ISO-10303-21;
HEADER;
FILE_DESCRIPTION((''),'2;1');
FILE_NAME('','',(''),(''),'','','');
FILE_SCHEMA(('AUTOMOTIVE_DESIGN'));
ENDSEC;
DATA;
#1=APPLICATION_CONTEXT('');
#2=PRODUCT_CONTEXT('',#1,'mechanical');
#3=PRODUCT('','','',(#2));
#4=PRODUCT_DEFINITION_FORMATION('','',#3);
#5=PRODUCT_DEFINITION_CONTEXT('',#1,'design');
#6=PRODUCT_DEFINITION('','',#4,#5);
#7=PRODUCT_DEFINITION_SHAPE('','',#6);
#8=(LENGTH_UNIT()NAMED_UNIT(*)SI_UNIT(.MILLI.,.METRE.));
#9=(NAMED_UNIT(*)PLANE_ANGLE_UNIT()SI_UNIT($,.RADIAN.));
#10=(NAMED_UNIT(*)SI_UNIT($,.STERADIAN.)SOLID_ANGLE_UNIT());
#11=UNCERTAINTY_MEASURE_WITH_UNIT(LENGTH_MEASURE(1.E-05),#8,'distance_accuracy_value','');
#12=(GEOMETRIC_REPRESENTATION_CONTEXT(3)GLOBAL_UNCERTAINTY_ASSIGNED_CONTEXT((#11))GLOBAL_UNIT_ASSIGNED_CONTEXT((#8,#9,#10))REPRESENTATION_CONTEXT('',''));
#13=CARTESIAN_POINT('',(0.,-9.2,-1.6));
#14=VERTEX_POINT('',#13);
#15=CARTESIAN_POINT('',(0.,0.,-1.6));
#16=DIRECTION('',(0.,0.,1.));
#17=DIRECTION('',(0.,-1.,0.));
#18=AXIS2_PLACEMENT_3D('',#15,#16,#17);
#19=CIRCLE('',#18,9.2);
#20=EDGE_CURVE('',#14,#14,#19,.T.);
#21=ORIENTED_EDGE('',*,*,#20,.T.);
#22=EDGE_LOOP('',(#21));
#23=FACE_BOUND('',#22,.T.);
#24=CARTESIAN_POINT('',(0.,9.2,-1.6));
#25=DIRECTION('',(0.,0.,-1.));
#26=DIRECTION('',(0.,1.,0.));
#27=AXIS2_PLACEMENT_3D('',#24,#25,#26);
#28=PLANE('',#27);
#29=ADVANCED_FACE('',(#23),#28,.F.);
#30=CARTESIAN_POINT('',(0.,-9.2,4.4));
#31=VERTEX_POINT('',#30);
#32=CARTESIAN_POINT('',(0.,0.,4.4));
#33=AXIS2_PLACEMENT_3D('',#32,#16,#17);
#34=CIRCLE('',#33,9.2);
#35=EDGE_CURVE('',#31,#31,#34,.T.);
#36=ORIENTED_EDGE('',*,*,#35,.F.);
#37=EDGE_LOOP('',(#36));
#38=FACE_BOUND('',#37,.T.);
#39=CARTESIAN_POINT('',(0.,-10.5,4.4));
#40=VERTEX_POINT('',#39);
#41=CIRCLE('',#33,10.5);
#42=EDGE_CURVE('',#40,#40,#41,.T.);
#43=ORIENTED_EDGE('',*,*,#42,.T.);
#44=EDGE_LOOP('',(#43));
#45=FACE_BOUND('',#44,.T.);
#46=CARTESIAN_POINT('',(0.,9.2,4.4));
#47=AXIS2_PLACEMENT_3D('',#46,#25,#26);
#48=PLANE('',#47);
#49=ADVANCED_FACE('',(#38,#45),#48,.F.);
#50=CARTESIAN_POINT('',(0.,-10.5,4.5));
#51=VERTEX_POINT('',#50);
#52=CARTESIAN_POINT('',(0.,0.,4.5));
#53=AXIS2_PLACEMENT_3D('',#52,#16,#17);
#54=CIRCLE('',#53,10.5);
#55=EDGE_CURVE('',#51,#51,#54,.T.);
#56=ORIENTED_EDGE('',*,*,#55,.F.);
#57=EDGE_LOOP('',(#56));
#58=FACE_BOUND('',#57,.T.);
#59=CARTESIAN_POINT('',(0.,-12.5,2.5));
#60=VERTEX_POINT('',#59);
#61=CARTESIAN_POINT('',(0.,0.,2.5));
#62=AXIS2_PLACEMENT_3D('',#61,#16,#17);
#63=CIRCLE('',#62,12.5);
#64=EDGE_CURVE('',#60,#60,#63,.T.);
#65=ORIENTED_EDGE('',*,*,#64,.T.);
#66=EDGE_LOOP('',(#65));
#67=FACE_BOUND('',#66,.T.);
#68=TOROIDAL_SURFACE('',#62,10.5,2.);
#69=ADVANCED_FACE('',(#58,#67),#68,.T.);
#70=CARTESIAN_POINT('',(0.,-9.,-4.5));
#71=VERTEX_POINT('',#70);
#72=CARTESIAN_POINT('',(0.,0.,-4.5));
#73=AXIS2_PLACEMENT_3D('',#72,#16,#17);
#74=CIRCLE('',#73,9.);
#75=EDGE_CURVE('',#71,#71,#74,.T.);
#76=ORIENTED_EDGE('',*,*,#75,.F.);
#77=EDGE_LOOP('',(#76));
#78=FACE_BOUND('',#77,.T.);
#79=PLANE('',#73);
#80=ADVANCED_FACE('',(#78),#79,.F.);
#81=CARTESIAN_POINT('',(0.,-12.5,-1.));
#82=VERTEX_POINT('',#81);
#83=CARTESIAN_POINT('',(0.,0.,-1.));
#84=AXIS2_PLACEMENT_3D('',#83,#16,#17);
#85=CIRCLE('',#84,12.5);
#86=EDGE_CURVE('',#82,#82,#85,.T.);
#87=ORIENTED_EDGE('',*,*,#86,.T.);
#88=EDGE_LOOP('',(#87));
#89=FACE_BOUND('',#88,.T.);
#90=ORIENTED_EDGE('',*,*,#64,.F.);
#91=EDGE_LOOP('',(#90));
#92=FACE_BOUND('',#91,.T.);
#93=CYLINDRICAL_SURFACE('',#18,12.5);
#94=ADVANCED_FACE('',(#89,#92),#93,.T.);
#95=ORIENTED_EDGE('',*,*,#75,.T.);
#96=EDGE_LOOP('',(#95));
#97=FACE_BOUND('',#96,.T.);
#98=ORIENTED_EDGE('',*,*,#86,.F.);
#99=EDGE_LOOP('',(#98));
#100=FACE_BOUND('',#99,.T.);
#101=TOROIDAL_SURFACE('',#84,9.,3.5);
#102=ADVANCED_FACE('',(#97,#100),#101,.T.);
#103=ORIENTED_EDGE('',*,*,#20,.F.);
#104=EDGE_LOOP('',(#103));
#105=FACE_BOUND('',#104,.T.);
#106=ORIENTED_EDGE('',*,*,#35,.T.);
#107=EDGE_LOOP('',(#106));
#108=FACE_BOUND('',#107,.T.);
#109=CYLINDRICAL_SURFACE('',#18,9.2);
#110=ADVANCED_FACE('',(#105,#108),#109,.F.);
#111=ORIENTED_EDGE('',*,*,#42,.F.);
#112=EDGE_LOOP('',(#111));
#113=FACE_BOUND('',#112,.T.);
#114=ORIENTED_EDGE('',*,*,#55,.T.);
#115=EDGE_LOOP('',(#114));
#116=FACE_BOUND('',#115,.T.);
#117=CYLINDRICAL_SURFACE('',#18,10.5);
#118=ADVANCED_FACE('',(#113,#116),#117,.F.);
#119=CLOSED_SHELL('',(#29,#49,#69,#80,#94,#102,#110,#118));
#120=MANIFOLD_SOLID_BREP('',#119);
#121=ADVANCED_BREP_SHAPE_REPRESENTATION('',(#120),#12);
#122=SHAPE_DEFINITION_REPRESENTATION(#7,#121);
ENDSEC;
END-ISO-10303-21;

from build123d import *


with BuildPart() as part:
    # 草图2 → 旋转2 (revolve)
    with BuildSketch(Plane(origin=(0, 0, 0), x_dir=(0, 0, -1), z_dir=(1, 0, 0)), mode=Mode.PRIVATE) as revolve_2_sk:
        with BuildLine():
            Line((1.6, 0), (4.5, 0))
            Line((4.5, 0), (4.5, 9))
            ThreePointArc((4.5, 9), (3.474873734, 11.474873734), (1, 12.5))
            Line((1, 12.5), (-2.5, 12.5))
            ThreePointArc((-2.5, 12.5), (-3.914213562, 11.914213562), (-4.5, 10.5))
            Line((-4.5, 10.5), (-4.4, 10.5))
            Line((-4.4, 10.5), (-4.4, 9.2))
            Line((-4.4, 9.2), (1.6, 9.2))
            Line((1.6, 9.2), (1.6, 0))
        make_face()
    revolve(revolve_2_sk.sketch.rotate(Axis((0, 0, -1.6), (0, 0, -1)), 180), axis=Axis((0, 0, -1.6), (0, 0, -1)))


solid = part.part
